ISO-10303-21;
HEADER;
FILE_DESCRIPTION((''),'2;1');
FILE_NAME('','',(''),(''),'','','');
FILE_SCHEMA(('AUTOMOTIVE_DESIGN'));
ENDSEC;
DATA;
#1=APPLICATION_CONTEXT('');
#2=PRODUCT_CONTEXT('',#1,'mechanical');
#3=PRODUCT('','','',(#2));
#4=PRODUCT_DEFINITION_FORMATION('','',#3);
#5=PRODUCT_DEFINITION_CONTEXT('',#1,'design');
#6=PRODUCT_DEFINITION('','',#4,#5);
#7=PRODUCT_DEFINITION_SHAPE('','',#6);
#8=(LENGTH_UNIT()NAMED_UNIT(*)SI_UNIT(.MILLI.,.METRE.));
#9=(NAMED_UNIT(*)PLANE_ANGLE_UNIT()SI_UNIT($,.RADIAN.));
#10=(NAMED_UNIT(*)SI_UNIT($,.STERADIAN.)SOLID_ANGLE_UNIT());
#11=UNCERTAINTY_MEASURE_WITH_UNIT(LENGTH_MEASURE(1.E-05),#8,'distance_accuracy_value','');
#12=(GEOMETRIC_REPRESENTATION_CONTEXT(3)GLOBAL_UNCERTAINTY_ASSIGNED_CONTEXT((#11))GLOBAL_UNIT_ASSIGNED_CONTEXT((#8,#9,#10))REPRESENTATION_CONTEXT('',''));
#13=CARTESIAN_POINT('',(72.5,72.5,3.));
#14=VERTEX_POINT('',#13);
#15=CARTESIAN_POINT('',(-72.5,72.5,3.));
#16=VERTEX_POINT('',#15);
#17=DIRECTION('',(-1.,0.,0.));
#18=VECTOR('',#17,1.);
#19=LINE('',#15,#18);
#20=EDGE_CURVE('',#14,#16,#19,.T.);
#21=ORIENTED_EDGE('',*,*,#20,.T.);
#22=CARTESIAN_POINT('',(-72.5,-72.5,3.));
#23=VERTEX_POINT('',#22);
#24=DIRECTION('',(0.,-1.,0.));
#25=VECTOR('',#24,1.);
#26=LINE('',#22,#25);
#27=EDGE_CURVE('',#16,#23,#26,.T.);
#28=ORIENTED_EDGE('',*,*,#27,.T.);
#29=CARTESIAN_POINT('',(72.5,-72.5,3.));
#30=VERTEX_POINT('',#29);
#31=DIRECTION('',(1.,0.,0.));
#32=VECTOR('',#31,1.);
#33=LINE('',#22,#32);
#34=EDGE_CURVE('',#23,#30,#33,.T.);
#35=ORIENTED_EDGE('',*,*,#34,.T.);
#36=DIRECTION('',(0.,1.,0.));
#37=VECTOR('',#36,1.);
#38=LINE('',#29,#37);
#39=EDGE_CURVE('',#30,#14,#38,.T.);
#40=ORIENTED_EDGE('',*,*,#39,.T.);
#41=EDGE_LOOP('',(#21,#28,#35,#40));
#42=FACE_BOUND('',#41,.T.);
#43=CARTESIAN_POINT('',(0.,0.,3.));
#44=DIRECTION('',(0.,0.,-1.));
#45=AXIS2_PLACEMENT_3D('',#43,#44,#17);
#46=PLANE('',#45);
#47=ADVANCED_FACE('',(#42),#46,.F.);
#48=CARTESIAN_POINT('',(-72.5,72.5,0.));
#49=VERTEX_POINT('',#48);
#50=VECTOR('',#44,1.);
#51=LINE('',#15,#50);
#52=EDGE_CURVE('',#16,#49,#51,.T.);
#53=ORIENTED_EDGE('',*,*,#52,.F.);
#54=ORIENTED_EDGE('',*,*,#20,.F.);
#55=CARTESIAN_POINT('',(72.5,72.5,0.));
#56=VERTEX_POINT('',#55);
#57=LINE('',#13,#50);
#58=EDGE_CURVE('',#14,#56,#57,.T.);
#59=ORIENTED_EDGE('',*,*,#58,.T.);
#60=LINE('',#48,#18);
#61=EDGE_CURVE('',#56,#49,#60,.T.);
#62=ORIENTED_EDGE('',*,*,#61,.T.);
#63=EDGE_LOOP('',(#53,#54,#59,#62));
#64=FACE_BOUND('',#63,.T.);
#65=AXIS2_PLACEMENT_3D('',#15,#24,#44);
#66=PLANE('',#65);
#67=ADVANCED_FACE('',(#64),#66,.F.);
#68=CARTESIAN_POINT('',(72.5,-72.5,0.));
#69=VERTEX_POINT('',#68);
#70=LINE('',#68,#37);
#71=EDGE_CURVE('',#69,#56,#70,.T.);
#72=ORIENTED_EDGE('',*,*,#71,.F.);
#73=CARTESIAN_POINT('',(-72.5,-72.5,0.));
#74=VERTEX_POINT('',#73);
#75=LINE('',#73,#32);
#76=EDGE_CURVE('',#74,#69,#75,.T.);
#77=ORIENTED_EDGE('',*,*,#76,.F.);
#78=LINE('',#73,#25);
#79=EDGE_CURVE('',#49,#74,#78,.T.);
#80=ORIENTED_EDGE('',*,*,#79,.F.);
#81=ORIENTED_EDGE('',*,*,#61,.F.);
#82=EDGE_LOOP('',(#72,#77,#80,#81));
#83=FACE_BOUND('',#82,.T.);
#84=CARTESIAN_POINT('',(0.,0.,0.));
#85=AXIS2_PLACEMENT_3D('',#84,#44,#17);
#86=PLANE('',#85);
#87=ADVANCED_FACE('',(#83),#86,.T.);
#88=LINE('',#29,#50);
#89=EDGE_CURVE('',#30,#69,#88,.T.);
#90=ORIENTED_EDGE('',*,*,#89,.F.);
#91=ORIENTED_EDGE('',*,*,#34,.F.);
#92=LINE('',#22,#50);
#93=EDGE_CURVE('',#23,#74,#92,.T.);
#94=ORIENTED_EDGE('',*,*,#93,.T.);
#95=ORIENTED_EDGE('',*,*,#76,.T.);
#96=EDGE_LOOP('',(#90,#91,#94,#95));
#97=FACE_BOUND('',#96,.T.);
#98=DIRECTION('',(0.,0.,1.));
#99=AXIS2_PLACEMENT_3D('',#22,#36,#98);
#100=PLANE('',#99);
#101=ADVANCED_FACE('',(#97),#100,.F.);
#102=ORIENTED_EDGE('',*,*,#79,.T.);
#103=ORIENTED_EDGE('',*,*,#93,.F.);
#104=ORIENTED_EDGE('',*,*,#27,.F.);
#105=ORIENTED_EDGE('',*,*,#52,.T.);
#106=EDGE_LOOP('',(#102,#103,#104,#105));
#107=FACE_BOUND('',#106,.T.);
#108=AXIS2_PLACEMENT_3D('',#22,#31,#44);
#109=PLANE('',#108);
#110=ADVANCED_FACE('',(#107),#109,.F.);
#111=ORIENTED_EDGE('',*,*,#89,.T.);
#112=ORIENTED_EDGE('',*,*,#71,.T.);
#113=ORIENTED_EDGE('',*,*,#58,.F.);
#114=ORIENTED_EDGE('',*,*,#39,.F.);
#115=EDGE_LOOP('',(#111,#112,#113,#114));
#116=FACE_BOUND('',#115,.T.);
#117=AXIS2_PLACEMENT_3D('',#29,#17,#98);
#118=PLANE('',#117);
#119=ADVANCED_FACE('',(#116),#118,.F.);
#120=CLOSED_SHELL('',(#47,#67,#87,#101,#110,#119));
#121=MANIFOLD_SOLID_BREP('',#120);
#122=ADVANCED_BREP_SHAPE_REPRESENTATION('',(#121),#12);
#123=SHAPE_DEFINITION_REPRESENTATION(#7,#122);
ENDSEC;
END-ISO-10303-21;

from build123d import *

# Parameters (mm, degrees)
SKETCH_1_W        = 145
SKETCH_1_H        = 145
EXTRUDE_267_DEPTH = 3


with BuildPart() as part:
    # Эскиз1 → Extrude 267 (new body)
    with BuildSketch(Plane.XY):
        Rectangle(SKETCH_1_W, SKETCH_1_H)
    extrude(amount=EXTRUDE_267_DEPTH)


solid = part.part
